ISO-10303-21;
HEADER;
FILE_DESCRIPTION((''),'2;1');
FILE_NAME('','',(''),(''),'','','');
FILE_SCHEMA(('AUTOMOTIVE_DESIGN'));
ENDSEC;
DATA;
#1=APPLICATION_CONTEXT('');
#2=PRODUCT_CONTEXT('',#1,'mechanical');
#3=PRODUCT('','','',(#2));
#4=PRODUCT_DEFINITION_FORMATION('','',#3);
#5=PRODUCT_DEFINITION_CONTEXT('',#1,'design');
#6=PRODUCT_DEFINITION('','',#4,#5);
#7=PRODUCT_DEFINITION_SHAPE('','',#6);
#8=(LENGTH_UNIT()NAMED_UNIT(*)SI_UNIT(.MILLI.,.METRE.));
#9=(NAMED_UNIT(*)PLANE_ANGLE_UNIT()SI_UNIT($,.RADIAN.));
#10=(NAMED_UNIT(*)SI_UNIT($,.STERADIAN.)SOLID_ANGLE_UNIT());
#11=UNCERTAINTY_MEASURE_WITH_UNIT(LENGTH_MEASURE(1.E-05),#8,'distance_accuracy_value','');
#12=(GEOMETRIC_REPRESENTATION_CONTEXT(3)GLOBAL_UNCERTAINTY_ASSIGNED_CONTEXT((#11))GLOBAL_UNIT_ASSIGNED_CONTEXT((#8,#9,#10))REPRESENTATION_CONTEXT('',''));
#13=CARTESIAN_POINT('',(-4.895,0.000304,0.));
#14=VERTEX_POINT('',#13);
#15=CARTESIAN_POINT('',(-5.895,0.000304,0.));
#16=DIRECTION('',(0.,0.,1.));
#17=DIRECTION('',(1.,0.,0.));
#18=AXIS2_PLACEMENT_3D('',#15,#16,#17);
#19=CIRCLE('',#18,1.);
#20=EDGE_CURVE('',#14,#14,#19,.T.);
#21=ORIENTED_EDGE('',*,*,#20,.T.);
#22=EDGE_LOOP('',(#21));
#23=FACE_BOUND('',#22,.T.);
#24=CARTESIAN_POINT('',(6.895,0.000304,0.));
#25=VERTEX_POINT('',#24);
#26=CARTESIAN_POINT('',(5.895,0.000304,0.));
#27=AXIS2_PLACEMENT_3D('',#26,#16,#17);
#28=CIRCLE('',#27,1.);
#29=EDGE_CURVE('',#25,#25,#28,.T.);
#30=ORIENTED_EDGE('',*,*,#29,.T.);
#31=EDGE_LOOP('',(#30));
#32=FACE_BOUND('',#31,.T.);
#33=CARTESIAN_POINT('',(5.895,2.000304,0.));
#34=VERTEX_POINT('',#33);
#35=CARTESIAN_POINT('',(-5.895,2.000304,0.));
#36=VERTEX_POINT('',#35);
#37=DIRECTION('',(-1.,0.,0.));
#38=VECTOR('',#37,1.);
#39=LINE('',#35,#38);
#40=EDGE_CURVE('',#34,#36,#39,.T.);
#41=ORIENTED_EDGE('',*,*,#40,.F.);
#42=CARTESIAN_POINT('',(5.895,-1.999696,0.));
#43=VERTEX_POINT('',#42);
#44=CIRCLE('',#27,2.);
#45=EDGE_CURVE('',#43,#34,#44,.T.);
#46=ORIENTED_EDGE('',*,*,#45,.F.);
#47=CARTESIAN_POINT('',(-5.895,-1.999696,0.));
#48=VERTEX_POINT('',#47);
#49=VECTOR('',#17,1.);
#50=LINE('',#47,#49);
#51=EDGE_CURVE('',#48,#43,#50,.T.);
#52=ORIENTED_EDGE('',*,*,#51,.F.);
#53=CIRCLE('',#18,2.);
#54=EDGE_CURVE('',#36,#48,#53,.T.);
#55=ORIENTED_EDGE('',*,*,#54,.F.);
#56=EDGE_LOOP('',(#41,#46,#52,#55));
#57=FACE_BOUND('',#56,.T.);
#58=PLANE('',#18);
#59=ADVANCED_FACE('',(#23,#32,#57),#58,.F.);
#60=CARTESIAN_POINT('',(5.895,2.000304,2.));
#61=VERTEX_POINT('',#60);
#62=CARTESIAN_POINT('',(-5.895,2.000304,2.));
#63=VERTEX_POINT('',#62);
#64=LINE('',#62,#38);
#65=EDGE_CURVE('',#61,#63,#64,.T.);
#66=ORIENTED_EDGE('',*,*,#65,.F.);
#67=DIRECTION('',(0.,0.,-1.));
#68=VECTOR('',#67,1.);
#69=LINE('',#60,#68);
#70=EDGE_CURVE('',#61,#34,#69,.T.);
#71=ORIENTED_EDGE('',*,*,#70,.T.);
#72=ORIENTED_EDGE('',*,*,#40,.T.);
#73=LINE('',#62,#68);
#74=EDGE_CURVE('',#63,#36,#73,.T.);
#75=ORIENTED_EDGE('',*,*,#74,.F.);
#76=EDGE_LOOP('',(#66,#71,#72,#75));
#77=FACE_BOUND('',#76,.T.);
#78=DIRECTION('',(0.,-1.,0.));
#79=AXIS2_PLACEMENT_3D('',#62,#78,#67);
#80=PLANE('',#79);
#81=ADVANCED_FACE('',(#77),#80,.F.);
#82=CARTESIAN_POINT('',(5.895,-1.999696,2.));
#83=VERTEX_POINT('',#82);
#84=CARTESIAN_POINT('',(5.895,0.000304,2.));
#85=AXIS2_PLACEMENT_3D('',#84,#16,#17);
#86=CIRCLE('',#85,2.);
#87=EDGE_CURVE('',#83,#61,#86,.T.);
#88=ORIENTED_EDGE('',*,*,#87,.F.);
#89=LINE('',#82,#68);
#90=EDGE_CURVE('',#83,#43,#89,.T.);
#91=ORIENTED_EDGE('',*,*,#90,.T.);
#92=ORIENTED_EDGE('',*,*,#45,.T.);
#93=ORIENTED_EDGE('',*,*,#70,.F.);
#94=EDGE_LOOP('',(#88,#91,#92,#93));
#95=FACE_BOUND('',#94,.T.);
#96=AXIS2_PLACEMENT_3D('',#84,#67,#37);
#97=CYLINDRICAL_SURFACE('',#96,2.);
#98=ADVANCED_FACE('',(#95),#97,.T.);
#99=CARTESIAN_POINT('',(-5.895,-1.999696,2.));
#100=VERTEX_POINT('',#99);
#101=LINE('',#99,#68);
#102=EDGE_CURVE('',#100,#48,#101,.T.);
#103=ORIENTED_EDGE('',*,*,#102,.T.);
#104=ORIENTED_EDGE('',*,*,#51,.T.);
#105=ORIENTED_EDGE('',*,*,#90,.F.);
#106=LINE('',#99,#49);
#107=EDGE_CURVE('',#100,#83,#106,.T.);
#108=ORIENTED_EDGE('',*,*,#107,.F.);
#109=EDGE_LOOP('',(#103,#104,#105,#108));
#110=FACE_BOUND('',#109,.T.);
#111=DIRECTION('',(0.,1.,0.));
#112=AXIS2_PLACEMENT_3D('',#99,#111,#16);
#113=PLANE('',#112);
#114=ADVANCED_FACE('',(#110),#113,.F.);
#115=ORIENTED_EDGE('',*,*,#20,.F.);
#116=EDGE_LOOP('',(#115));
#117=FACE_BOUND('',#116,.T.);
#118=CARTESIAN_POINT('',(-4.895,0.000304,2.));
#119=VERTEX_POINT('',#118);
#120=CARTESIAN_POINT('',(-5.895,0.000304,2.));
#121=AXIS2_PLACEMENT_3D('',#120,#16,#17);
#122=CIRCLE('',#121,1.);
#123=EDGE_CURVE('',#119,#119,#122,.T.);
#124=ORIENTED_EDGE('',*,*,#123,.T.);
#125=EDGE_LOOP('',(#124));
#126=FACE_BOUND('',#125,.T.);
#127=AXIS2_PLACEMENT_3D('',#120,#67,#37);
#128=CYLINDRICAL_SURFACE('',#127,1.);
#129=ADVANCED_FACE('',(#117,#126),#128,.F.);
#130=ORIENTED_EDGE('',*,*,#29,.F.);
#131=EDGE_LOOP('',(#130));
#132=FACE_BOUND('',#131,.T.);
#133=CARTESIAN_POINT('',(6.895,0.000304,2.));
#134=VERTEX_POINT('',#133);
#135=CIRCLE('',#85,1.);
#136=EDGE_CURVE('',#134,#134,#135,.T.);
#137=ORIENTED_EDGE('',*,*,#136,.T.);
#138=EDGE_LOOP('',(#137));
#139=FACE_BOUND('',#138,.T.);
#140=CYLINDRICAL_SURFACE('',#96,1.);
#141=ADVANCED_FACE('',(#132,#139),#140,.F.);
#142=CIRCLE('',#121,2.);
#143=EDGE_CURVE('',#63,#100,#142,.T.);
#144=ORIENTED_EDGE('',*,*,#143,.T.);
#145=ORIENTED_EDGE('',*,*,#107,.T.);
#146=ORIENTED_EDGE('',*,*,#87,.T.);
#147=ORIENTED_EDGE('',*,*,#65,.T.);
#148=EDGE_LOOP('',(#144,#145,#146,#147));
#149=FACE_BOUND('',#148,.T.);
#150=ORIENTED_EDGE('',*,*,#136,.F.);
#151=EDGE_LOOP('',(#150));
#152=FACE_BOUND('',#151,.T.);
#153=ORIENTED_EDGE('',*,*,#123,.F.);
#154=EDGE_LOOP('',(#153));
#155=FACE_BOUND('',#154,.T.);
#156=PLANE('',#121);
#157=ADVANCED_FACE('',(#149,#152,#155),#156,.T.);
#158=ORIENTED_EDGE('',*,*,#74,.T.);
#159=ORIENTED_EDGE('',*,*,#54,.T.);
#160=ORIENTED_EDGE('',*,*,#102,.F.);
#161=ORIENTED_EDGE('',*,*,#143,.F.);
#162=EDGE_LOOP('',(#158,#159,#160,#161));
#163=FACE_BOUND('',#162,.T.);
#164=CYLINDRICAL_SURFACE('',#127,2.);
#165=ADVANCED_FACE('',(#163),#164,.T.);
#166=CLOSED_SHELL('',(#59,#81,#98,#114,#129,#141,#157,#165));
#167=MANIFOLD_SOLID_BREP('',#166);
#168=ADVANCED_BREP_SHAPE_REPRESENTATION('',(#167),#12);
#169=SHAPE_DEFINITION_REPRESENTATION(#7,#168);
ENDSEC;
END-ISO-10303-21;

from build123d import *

# Parameters (mm, degrees)
SKETCH_1_R      = 1
EXTRUDE_1_DEPTH = 2


with BuildPart() as part:
    # 草圖1 → 填料-伸長1 (new body)
    with BuildSketch(Plane.XY):
        with BuildLine():
            Line((-5.894999992, 2.000304167), (5.895000008, 2.000304167))
            ThreePointArc((5.895000008, 2.000304167), (7.895000008, 0.000304167), (5.895000008, -1.999695833))
            Line((5.895000008, -1.999695833), (-5.894999992, -1.999695833))
            ThreePointArc((-5.894999992, -1.999695833), (-7.894999992, 0.000304167), (-5.894999992, 2.000304167))
        make_face()
        with Locations((-5.894999992, 0.000304167)):
            Circle(SKETCH_1_R, mode=Mode.SUBTRACT)
        with Locations((5.895000008, 0.000304167)):
            Circle(SKETCH_1_R, mode=Mode.SUBTRACT)
    extrude(amount=EXTRUDE_1_DEPTH)


solid = part.part
